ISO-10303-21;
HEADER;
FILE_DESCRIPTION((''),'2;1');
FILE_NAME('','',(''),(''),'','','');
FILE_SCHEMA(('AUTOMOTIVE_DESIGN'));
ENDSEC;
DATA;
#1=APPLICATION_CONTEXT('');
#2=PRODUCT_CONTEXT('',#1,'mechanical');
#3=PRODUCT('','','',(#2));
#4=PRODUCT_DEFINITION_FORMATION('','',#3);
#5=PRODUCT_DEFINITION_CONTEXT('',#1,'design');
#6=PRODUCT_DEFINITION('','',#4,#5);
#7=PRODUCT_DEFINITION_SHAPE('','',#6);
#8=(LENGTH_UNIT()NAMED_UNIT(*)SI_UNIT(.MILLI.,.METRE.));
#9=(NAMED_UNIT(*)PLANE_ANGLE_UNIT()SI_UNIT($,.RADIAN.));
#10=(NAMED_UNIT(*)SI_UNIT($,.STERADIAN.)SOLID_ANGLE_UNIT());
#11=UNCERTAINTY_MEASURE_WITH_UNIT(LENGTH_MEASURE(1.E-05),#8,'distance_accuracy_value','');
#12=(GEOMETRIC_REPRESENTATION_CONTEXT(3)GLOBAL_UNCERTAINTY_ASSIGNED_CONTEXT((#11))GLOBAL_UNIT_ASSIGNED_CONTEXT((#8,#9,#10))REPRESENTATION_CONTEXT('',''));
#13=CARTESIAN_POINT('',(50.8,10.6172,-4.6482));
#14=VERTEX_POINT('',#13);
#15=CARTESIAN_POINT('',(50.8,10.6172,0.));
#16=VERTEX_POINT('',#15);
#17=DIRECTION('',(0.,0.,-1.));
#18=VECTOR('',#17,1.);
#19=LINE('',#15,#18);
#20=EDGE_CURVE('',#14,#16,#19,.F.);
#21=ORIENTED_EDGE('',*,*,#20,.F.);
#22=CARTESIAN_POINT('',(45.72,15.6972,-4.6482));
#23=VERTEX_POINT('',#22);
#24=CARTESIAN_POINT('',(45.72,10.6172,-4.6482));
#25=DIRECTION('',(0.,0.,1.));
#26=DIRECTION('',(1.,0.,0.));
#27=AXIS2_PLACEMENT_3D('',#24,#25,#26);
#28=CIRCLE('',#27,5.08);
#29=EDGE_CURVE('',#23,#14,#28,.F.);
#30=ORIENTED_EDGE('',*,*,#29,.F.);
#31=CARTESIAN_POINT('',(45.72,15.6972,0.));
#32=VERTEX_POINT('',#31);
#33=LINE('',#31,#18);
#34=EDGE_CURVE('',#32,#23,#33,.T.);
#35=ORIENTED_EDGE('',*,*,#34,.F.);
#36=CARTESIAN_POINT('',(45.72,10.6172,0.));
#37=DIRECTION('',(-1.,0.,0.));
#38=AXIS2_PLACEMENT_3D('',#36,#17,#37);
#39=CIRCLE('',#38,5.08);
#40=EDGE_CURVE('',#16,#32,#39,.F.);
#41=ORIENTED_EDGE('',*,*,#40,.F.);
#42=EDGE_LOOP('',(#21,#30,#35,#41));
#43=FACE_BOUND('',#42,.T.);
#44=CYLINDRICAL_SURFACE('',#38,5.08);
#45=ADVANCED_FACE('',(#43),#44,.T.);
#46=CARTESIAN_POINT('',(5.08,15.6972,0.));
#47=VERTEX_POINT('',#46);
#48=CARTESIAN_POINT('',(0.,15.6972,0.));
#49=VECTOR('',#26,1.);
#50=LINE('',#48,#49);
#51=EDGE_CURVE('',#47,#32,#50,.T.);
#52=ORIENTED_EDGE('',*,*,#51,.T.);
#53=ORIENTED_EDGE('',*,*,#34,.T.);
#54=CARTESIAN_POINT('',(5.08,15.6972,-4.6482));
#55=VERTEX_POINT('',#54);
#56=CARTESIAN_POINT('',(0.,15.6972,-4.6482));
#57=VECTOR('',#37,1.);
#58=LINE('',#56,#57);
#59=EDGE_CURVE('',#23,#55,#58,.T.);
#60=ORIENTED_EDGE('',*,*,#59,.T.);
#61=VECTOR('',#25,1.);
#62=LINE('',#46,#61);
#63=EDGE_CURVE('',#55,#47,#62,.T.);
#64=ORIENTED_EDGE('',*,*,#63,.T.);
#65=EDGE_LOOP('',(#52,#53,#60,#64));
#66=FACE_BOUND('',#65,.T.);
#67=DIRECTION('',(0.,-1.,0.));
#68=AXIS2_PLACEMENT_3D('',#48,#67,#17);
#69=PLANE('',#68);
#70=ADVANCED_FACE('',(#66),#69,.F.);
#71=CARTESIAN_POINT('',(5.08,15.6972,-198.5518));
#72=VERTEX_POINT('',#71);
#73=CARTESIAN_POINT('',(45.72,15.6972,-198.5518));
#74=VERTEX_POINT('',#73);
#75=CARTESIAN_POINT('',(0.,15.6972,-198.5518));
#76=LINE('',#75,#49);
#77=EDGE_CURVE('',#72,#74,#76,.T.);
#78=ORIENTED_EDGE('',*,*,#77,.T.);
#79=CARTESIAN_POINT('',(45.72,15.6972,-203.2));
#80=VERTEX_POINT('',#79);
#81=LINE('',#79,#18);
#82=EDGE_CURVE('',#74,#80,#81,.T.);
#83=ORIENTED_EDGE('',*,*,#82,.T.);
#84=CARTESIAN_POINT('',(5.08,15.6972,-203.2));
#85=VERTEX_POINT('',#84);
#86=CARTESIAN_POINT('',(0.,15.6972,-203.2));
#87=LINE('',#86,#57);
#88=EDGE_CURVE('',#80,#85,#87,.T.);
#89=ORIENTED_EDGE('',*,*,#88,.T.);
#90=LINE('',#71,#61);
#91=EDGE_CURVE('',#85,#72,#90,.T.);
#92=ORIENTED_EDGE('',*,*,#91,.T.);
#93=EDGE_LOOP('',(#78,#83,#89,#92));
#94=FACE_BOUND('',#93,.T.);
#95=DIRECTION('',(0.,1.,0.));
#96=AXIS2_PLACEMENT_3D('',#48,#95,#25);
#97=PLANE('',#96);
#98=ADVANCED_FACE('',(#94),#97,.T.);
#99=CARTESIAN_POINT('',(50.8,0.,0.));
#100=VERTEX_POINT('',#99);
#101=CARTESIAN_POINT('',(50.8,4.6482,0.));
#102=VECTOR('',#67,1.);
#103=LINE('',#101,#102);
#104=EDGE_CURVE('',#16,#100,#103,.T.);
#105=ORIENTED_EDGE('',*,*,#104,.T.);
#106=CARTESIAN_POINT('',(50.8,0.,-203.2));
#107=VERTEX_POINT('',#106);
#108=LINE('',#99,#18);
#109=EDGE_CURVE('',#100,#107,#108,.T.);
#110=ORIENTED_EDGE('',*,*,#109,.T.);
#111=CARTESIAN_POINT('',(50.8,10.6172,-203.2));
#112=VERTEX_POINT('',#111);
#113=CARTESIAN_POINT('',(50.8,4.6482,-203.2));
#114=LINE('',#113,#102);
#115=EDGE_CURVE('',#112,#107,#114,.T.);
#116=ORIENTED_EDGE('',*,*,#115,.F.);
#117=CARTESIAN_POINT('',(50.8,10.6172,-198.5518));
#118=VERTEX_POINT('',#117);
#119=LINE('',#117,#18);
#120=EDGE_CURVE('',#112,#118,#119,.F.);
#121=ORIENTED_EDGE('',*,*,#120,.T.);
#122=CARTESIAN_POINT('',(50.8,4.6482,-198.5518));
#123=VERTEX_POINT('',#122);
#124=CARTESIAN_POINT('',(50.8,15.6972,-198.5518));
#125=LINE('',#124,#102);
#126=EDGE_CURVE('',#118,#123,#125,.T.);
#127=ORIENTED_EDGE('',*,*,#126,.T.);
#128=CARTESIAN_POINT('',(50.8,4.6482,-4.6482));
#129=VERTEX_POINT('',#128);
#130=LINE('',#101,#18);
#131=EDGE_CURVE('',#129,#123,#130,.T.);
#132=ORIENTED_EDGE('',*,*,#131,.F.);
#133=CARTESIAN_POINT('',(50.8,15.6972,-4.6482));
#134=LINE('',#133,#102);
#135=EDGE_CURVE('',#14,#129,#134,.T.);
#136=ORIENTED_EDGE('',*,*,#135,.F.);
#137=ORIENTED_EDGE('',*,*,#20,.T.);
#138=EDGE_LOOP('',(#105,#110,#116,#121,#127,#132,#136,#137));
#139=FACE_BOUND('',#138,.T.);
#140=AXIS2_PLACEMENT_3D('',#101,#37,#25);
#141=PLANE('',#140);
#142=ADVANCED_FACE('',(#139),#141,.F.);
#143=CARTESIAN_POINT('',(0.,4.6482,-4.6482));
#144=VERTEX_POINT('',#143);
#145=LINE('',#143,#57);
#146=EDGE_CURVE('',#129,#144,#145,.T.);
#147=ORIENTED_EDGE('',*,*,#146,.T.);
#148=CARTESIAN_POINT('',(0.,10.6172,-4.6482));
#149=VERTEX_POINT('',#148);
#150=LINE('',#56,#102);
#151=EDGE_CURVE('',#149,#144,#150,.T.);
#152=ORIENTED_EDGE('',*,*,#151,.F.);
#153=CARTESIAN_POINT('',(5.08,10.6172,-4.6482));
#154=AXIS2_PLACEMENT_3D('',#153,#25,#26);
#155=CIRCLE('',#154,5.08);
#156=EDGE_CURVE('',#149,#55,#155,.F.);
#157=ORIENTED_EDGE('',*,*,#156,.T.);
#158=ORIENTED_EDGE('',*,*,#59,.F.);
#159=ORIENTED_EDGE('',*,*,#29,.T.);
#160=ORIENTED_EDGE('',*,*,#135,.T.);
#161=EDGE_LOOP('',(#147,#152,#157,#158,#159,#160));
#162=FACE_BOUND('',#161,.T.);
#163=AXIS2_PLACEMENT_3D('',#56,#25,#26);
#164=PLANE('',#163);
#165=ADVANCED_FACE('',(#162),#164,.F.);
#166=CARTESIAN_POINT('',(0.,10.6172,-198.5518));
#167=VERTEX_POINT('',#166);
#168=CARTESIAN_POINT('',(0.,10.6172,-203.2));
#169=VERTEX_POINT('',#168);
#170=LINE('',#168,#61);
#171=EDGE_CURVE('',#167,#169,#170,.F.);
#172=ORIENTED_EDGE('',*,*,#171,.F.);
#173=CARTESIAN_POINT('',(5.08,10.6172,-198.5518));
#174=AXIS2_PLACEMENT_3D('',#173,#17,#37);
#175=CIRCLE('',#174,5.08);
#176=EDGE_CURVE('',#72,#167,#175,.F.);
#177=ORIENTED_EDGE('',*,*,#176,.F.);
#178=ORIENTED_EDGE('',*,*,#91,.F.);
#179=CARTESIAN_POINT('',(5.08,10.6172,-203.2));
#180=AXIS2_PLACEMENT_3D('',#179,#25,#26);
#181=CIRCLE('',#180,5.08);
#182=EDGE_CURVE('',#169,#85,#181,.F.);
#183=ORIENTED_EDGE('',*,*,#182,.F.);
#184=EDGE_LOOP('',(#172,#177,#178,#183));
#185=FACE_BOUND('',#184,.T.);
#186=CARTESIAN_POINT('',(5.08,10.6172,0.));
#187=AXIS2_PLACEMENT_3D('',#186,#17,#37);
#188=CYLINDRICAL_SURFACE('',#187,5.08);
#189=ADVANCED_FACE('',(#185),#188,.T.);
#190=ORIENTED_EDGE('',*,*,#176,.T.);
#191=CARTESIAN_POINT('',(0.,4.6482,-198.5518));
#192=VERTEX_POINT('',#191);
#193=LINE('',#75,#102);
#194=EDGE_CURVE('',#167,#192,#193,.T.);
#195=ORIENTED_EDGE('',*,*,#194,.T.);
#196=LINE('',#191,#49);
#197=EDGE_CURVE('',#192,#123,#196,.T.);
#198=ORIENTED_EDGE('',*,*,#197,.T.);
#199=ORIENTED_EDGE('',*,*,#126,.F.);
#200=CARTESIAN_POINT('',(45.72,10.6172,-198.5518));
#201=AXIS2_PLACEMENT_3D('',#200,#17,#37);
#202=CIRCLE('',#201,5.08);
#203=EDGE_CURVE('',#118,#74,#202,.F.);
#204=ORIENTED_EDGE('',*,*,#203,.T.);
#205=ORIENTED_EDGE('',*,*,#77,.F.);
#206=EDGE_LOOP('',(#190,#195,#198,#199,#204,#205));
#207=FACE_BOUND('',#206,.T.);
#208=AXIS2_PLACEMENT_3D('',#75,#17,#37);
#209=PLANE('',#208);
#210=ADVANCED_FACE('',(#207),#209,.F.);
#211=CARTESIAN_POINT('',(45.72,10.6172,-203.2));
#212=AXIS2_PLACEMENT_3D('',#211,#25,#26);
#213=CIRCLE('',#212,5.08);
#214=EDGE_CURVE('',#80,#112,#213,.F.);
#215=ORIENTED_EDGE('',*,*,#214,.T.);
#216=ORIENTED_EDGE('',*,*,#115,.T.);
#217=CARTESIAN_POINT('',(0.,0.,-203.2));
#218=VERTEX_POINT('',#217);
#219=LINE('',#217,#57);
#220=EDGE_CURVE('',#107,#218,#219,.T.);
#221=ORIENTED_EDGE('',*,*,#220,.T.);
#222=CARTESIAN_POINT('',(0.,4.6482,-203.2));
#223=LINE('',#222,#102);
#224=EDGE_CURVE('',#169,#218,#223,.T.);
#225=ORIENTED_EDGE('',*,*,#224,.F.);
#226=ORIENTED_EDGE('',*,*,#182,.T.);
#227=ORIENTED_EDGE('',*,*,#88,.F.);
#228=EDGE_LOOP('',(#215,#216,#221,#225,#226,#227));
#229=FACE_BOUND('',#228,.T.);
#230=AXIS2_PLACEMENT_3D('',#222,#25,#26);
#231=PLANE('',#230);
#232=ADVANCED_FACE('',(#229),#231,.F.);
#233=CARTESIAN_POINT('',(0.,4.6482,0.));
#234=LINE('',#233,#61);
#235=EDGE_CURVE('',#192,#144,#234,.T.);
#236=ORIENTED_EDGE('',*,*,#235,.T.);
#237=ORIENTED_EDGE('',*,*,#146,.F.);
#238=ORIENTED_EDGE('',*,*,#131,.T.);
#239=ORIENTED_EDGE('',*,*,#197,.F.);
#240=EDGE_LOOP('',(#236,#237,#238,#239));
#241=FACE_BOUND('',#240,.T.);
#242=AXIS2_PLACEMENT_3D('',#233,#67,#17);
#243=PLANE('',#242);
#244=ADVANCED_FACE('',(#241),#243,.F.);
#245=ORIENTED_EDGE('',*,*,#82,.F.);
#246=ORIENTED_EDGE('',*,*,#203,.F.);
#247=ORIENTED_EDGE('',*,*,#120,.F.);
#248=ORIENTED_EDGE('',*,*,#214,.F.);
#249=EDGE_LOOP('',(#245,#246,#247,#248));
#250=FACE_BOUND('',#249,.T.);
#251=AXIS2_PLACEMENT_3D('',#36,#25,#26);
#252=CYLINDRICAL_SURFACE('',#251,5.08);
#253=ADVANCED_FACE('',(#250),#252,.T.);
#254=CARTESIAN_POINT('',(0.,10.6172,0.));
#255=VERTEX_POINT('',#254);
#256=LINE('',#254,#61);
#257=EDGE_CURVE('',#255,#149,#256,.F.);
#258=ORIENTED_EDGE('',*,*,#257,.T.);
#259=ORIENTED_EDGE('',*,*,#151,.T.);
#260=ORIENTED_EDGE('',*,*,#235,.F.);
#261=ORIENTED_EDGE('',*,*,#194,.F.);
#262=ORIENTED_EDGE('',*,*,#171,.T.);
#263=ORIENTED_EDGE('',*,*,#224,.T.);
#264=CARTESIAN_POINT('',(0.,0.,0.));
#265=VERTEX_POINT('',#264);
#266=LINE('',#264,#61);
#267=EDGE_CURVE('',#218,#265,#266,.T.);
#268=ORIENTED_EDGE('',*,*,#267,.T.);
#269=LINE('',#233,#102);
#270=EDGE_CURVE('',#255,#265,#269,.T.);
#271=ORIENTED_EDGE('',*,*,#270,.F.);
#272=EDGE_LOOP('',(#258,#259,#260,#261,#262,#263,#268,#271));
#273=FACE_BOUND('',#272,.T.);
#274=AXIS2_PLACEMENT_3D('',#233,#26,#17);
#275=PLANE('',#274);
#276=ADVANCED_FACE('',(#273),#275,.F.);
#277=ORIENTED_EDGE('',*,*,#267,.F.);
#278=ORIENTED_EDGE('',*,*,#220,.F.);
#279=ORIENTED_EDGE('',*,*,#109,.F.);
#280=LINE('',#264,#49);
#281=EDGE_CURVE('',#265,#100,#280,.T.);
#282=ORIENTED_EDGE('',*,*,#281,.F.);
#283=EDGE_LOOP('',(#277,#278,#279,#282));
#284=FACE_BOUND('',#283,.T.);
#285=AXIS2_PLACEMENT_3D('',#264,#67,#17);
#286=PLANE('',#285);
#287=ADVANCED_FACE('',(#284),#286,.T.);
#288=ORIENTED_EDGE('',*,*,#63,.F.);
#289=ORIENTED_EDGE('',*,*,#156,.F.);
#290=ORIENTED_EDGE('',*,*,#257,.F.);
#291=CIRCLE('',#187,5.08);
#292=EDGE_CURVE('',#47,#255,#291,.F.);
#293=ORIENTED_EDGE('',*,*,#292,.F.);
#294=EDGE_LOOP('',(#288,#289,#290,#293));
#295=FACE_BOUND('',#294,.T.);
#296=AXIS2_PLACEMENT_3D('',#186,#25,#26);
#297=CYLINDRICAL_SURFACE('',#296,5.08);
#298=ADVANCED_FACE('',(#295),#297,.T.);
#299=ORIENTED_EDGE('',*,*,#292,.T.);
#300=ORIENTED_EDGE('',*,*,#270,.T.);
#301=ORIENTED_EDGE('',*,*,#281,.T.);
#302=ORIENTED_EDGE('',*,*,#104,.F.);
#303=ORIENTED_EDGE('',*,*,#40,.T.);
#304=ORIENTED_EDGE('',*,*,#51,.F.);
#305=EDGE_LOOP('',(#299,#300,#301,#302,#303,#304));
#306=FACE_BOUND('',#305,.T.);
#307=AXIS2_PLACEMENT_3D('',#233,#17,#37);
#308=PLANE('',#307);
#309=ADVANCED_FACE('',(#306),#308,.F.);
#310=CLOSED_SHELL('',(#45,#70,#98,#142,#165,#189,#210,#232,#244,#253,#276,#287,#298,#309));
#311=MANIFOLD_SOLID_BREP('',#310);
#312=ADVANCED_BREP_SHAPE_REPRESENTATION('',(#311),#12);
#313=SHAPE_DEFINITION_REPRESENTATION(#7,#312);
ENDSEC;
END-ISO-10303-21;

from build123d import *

# Parameters (mm, degrees)
SKETCH1_W           = 50.8
SKETCH1_H           = 203.2
BOSS_EXTRUDE1_DEPTH = 4.6482
SKETCH2_W           = 50.8
SKETCH2_H           = 4.6482
BOSS_EXTRUDE2_DEPTH = 11.049
FILLET1_R           = 5.08


with BuildPart() as part:
    # Sketch1 → Boss-Extrude1 (new body)
    with BuildSketch(Plane(origin=(0, 0, 0), x_dir=(1, 0, 0), z_dir=(0, 1, 0))):
        with Locations((25.4, 101.6)):
            Rectangle(SKETCH1_W, SKETCH1_H)
    extrude(amount=BOSS_EXTRUDE1_DEPTH)

    # Sketch2 → Boss-Extrude2 (add)
    with BuildSketch(Plane(origin=(0, 4.6482, 0), x_dir=(1, 0, 0), z_dir=(0, 1, 0))):
        with Locations((25.4, 2.3241)):
            Rectangle(SKETCH2_W, SKETCH2_H)
        with Locations((25.4, 200.8759)):
            Rectangle(SKETCH2_W, SKETCH2_H)
    extrude(amount=BOSS_EXTRUDE2_DEPTH)

    # Fillet1
    fillet1_edges = [part.edges().sort_by_distance(p)[0] for p in [
        (0, 15.6972, -2.3241),
        (50.8, 15.6972, -2.3241),
        (0, 15.6972, -200.8759),
        (50.8, 15.6972, -200.8759),
    ]]
    fillet(fillet1_edges, radius=FILLET1_R)


solid = part.part
